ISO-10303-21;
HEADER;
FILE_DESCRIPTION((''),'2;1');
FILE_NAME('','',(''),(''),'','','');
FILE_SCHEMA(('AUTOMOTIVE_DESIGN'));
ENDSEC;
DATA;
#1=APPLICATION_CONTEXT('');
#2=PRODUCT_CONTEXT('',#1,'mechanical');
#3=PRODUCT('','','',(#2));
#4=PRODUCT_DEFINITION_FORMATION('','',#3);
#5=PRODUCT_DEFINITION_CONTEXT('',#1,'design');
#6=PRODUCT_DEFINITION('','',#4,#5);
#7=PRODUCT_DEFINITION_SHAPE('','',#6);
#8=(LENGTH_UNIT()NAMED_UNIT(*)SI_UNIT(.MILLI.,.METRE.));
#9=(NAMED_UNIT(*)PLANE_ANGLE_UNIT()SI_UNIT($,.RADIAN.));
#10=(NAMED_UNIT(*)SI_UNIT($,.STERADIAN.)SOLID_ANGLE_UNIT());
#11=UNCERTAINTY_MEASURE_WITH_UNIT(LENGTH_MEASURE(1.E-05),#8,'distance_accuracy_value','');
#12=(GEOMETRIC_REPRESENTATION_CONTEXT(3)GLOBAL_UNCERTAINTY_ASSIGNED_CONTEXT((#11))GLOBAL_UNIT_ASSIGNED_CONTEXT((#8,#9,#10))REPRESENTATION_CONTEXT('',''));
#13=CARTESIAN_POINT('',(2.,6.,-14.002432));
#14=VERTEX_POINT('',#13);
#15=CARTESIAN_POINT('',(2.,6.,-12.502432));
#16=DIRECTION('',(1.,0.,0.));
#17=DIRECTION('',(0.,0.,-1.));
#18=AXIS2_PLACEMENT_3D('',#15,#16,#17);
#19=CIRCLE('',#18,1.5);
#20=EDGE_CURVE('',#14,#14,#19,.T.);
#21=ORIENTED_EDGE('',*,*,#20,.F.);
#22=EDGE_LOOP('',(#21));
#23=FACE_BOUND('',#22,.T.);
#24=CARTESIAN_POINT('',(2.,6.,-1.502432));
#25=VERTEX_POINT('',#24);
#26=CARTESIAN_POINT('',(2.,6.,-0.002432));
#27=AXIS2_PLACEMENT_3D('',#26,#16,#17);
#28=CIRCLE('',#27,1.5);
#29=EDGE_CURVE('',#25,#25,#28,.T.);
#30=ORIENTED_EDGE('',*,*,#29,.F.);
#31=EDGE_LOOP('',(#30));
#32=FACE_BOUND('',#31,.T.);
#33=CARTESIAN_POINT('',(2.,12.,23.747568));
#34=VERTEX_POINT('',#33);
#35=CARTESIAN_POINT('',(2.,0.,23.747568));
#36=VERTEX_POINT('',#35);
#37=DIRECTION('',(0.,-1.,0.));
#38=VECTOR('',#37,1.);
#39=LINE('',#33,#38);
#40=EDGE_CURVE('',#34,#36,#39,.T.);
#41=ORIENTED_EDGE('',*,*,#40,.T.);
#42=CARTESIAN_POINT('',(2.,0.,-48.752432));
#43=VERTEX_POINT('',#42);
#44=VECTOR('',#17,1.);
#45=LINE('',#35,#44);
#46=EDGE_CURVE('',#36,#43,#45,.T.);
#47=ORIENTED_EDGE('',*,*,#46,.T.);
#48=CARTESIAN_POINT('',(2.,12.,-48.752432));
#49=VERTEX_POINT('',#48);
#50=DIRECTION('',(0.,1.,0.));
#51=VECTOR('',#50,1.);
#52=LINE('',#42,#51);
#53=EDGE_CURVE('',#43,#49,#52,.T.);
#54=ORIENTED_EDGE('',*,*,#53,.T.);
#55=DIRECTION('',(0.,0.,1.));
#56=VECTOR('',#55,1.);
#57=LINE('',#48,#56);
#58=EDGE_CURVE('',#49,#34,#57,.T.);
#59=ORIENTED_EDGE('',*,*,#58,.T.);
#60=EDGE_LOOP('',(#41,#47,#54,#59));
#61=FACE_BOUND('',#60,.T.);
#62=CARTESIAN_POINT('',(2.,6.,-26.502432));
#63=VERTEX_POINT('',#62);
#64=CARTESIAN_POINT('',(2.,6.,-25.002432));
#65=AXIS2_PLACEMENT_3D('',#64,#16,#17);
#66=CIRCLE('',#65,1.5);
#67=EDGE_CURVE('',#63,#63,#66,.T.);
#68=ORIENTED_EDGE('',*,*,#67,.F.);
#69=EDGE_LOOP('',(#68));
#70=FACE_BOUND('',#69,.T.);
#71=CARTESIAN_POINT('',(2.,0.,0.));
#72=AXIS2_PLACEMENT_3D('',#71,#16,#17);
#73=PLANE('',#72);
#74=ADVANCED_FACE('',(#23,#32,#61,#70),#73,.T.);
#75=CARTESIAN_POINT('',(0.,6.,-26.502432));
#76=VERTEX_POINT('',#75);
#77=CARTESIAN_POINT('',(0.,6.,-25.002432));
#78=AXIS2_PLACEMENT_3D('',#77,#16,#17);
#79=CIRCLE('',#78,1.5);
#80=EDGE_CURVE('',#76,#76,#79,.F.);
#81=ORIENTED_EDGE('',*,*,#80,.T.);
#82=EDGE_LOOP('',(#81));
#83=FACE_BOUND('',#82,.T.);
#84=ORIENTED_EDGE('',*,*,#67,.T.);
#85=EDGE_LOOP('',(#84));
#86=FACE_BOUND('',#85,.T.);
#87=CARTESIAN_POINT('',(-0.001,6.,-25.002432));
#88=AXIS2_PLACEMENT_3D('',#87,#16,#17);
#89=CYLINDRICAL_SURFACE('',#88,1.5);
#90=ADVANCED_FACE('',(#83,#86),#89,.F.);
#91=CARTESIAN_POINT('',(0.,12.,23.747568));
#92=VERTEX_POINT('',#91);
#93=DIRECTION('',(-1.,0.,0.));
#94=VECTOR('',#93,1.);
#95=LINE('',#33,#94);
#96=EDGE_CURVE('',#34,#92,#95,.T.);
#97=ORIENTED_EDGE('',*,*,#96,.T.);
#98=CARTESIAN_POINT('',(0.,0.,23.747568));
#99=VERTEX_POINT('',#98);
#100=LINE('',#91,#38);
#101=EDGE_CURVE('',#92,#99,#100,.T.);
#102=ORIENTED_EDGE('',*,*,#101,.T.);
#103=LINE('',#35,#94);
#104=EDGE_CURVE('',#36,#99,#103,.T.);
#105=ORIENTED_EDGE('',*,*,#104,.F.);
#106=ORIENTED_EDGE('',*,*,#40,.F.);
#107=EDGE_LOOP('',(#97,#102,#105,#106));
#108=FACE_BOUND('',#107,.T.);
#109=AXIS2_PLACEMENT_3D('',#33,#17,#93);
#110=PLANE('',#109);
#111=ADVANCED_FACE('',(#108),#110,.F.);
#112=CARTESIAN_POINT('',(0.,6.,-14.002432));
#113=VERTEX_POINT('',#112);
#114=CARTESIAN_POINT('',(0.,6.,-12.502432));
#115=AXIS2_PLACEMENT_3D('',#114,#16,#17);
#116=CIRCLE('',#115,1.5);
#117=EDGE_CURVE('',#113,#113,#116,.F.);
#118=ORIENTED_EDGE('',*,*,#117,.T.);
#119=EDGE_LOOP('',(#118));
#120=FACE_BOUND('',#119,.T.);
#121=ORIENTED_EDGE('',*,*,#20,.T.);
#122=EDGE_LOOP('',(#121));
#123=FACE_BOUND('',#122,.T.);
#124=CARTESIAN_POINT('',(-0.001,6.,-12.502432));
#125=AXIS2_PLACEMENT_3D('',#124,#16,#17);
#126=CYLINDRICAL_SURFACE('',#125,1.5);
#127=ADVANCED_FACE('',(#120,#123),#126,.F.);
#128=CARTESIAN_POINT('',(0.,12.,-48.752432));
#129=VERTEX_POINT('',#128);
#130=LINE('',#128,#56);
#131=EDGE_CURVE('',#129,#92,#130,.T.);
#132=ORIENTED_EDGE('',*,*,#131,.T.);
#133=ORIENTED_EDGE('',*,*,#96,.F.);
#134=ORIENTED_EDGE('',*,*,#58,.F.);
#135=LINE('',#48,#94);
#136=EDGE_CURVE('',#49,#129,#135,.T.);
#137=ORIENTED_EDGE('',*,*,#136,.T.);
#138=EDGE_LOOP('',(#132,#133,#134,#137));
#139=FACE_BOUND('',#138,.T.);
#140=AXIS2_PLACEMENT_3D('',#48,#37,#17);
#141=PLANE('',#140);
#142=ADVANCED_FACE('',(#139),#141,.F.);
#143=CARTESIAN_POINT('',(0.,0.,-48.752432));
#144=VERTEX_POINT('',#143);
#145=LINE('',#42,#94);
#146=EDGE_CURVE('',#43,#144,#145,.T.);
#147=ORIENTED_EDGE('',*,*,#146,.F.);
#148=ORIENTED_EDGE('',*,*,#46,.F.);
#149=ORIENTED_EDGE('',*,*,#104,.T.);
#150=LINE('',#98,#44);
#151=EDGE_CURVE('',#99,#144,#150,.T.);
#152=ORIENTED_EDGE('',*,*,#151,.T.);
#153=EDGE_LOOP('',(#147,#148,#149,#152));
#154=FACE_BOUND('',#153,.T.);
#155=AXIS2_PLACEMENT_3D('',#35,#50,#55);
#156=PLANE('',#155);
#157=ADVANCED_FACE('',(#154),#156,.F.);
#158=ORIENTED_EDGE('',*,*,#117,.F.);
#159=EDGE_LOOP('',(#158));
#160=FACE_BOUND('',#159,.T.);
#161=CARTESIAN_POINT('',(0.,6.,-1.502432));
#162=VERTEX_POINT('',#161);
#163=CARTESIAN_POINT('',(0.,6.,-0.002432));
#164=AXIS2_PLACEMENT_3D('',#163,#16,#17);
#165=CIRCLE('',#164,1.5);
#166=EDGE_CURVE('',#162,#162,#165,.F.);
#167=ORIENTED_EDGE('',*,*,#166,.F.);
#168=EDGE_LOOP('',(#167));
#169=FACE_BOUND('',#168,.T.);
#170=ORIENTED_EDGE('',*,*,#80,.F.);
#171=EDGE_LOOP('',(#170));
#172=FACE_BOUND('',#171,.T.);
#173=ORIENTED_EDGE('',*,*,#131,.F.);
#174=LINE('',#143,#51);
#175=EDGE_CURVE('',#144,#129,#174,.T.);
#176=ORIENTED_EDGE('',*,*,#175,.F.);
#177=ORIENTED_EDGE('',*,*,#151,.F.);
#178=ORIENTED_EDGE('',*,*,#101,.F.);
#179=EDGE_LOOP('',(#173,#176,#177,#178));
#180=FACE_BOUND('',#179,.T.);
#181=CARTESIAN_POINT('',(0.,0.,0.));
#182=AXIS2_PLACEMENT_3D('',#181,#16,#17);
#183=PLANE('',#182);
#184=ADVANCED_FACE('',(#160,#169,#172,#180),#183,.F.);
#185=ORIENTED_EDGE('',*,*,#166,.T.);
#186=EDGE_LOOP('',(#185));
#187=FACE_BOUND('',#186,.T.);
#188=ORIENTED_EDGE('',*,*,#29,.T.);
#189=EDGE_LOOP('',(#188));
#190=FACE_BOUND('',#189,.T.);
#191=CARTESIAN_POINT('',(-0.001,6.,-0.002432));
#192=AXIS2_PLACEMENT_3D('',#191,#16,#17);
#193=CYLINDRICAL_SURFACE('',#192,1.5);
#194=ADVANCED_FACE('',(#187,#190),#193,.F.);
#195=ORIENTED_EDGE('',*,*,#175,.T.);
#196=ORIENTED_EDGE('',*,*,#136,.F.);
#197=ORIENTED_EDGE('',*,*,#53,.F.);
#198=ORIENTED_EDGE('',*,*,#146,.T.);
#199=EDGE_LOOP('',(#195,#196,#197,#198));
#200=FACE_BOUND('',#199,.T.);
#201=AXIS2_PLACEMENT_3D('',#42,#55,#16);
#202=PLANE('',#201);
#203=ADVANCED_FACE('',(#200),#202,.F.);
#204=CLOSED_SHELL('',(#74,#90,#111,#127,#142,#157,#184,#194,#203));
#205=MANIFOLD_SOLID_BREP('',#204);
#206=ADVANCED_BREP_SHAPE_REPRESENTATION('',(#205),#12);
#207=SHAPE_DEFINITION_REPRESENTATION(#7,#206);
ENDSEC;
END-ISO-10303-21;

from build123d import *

# Parameters (mm, degrees)
SKETCH1_W           = 72.5
SKETCH1_H           = 12
BOSS_EXTRUDE1_DEPTH = 2
SKETCH3_R           = 1.5
CUT_EXTRUDE1_DEPTH  = 2


with BuildPart() as part:
    # Sketch1 → Boss-Extrude1 (new body)
    with BuildSketch(Plane(origin=(0, 0, 0), x_dir=(0, 0, -1), z_dir=(1, 0, 0))):
        with Locations((12.502432277, 6)):
            Rectangle(SKETCH1_W, SKETCH1_H)
    extrude(amount=BOSS_EXTRUDE1_DEPTH)

    # Sketch3 → Cut-Extrude1 (cut)
    with BuildSketch(Plane(origin=(2, 0, 0), x_dir=(0, 0, -1), z_dir=(1, 0, 0))):
        with Locations((12.502432277, 6)):
            Circle(SKETCH3_R)
        with Locations((0.002432277, 6)):
            Circle(SKETCH3_R)
        with Locations((25.002432277, 6)):
            Circle(SKETCH3_R)
    extrude(amount=-CUT_EXTRUDE1_DEPTH, mode=Mode.SUBTRACT)


solid = part.part
